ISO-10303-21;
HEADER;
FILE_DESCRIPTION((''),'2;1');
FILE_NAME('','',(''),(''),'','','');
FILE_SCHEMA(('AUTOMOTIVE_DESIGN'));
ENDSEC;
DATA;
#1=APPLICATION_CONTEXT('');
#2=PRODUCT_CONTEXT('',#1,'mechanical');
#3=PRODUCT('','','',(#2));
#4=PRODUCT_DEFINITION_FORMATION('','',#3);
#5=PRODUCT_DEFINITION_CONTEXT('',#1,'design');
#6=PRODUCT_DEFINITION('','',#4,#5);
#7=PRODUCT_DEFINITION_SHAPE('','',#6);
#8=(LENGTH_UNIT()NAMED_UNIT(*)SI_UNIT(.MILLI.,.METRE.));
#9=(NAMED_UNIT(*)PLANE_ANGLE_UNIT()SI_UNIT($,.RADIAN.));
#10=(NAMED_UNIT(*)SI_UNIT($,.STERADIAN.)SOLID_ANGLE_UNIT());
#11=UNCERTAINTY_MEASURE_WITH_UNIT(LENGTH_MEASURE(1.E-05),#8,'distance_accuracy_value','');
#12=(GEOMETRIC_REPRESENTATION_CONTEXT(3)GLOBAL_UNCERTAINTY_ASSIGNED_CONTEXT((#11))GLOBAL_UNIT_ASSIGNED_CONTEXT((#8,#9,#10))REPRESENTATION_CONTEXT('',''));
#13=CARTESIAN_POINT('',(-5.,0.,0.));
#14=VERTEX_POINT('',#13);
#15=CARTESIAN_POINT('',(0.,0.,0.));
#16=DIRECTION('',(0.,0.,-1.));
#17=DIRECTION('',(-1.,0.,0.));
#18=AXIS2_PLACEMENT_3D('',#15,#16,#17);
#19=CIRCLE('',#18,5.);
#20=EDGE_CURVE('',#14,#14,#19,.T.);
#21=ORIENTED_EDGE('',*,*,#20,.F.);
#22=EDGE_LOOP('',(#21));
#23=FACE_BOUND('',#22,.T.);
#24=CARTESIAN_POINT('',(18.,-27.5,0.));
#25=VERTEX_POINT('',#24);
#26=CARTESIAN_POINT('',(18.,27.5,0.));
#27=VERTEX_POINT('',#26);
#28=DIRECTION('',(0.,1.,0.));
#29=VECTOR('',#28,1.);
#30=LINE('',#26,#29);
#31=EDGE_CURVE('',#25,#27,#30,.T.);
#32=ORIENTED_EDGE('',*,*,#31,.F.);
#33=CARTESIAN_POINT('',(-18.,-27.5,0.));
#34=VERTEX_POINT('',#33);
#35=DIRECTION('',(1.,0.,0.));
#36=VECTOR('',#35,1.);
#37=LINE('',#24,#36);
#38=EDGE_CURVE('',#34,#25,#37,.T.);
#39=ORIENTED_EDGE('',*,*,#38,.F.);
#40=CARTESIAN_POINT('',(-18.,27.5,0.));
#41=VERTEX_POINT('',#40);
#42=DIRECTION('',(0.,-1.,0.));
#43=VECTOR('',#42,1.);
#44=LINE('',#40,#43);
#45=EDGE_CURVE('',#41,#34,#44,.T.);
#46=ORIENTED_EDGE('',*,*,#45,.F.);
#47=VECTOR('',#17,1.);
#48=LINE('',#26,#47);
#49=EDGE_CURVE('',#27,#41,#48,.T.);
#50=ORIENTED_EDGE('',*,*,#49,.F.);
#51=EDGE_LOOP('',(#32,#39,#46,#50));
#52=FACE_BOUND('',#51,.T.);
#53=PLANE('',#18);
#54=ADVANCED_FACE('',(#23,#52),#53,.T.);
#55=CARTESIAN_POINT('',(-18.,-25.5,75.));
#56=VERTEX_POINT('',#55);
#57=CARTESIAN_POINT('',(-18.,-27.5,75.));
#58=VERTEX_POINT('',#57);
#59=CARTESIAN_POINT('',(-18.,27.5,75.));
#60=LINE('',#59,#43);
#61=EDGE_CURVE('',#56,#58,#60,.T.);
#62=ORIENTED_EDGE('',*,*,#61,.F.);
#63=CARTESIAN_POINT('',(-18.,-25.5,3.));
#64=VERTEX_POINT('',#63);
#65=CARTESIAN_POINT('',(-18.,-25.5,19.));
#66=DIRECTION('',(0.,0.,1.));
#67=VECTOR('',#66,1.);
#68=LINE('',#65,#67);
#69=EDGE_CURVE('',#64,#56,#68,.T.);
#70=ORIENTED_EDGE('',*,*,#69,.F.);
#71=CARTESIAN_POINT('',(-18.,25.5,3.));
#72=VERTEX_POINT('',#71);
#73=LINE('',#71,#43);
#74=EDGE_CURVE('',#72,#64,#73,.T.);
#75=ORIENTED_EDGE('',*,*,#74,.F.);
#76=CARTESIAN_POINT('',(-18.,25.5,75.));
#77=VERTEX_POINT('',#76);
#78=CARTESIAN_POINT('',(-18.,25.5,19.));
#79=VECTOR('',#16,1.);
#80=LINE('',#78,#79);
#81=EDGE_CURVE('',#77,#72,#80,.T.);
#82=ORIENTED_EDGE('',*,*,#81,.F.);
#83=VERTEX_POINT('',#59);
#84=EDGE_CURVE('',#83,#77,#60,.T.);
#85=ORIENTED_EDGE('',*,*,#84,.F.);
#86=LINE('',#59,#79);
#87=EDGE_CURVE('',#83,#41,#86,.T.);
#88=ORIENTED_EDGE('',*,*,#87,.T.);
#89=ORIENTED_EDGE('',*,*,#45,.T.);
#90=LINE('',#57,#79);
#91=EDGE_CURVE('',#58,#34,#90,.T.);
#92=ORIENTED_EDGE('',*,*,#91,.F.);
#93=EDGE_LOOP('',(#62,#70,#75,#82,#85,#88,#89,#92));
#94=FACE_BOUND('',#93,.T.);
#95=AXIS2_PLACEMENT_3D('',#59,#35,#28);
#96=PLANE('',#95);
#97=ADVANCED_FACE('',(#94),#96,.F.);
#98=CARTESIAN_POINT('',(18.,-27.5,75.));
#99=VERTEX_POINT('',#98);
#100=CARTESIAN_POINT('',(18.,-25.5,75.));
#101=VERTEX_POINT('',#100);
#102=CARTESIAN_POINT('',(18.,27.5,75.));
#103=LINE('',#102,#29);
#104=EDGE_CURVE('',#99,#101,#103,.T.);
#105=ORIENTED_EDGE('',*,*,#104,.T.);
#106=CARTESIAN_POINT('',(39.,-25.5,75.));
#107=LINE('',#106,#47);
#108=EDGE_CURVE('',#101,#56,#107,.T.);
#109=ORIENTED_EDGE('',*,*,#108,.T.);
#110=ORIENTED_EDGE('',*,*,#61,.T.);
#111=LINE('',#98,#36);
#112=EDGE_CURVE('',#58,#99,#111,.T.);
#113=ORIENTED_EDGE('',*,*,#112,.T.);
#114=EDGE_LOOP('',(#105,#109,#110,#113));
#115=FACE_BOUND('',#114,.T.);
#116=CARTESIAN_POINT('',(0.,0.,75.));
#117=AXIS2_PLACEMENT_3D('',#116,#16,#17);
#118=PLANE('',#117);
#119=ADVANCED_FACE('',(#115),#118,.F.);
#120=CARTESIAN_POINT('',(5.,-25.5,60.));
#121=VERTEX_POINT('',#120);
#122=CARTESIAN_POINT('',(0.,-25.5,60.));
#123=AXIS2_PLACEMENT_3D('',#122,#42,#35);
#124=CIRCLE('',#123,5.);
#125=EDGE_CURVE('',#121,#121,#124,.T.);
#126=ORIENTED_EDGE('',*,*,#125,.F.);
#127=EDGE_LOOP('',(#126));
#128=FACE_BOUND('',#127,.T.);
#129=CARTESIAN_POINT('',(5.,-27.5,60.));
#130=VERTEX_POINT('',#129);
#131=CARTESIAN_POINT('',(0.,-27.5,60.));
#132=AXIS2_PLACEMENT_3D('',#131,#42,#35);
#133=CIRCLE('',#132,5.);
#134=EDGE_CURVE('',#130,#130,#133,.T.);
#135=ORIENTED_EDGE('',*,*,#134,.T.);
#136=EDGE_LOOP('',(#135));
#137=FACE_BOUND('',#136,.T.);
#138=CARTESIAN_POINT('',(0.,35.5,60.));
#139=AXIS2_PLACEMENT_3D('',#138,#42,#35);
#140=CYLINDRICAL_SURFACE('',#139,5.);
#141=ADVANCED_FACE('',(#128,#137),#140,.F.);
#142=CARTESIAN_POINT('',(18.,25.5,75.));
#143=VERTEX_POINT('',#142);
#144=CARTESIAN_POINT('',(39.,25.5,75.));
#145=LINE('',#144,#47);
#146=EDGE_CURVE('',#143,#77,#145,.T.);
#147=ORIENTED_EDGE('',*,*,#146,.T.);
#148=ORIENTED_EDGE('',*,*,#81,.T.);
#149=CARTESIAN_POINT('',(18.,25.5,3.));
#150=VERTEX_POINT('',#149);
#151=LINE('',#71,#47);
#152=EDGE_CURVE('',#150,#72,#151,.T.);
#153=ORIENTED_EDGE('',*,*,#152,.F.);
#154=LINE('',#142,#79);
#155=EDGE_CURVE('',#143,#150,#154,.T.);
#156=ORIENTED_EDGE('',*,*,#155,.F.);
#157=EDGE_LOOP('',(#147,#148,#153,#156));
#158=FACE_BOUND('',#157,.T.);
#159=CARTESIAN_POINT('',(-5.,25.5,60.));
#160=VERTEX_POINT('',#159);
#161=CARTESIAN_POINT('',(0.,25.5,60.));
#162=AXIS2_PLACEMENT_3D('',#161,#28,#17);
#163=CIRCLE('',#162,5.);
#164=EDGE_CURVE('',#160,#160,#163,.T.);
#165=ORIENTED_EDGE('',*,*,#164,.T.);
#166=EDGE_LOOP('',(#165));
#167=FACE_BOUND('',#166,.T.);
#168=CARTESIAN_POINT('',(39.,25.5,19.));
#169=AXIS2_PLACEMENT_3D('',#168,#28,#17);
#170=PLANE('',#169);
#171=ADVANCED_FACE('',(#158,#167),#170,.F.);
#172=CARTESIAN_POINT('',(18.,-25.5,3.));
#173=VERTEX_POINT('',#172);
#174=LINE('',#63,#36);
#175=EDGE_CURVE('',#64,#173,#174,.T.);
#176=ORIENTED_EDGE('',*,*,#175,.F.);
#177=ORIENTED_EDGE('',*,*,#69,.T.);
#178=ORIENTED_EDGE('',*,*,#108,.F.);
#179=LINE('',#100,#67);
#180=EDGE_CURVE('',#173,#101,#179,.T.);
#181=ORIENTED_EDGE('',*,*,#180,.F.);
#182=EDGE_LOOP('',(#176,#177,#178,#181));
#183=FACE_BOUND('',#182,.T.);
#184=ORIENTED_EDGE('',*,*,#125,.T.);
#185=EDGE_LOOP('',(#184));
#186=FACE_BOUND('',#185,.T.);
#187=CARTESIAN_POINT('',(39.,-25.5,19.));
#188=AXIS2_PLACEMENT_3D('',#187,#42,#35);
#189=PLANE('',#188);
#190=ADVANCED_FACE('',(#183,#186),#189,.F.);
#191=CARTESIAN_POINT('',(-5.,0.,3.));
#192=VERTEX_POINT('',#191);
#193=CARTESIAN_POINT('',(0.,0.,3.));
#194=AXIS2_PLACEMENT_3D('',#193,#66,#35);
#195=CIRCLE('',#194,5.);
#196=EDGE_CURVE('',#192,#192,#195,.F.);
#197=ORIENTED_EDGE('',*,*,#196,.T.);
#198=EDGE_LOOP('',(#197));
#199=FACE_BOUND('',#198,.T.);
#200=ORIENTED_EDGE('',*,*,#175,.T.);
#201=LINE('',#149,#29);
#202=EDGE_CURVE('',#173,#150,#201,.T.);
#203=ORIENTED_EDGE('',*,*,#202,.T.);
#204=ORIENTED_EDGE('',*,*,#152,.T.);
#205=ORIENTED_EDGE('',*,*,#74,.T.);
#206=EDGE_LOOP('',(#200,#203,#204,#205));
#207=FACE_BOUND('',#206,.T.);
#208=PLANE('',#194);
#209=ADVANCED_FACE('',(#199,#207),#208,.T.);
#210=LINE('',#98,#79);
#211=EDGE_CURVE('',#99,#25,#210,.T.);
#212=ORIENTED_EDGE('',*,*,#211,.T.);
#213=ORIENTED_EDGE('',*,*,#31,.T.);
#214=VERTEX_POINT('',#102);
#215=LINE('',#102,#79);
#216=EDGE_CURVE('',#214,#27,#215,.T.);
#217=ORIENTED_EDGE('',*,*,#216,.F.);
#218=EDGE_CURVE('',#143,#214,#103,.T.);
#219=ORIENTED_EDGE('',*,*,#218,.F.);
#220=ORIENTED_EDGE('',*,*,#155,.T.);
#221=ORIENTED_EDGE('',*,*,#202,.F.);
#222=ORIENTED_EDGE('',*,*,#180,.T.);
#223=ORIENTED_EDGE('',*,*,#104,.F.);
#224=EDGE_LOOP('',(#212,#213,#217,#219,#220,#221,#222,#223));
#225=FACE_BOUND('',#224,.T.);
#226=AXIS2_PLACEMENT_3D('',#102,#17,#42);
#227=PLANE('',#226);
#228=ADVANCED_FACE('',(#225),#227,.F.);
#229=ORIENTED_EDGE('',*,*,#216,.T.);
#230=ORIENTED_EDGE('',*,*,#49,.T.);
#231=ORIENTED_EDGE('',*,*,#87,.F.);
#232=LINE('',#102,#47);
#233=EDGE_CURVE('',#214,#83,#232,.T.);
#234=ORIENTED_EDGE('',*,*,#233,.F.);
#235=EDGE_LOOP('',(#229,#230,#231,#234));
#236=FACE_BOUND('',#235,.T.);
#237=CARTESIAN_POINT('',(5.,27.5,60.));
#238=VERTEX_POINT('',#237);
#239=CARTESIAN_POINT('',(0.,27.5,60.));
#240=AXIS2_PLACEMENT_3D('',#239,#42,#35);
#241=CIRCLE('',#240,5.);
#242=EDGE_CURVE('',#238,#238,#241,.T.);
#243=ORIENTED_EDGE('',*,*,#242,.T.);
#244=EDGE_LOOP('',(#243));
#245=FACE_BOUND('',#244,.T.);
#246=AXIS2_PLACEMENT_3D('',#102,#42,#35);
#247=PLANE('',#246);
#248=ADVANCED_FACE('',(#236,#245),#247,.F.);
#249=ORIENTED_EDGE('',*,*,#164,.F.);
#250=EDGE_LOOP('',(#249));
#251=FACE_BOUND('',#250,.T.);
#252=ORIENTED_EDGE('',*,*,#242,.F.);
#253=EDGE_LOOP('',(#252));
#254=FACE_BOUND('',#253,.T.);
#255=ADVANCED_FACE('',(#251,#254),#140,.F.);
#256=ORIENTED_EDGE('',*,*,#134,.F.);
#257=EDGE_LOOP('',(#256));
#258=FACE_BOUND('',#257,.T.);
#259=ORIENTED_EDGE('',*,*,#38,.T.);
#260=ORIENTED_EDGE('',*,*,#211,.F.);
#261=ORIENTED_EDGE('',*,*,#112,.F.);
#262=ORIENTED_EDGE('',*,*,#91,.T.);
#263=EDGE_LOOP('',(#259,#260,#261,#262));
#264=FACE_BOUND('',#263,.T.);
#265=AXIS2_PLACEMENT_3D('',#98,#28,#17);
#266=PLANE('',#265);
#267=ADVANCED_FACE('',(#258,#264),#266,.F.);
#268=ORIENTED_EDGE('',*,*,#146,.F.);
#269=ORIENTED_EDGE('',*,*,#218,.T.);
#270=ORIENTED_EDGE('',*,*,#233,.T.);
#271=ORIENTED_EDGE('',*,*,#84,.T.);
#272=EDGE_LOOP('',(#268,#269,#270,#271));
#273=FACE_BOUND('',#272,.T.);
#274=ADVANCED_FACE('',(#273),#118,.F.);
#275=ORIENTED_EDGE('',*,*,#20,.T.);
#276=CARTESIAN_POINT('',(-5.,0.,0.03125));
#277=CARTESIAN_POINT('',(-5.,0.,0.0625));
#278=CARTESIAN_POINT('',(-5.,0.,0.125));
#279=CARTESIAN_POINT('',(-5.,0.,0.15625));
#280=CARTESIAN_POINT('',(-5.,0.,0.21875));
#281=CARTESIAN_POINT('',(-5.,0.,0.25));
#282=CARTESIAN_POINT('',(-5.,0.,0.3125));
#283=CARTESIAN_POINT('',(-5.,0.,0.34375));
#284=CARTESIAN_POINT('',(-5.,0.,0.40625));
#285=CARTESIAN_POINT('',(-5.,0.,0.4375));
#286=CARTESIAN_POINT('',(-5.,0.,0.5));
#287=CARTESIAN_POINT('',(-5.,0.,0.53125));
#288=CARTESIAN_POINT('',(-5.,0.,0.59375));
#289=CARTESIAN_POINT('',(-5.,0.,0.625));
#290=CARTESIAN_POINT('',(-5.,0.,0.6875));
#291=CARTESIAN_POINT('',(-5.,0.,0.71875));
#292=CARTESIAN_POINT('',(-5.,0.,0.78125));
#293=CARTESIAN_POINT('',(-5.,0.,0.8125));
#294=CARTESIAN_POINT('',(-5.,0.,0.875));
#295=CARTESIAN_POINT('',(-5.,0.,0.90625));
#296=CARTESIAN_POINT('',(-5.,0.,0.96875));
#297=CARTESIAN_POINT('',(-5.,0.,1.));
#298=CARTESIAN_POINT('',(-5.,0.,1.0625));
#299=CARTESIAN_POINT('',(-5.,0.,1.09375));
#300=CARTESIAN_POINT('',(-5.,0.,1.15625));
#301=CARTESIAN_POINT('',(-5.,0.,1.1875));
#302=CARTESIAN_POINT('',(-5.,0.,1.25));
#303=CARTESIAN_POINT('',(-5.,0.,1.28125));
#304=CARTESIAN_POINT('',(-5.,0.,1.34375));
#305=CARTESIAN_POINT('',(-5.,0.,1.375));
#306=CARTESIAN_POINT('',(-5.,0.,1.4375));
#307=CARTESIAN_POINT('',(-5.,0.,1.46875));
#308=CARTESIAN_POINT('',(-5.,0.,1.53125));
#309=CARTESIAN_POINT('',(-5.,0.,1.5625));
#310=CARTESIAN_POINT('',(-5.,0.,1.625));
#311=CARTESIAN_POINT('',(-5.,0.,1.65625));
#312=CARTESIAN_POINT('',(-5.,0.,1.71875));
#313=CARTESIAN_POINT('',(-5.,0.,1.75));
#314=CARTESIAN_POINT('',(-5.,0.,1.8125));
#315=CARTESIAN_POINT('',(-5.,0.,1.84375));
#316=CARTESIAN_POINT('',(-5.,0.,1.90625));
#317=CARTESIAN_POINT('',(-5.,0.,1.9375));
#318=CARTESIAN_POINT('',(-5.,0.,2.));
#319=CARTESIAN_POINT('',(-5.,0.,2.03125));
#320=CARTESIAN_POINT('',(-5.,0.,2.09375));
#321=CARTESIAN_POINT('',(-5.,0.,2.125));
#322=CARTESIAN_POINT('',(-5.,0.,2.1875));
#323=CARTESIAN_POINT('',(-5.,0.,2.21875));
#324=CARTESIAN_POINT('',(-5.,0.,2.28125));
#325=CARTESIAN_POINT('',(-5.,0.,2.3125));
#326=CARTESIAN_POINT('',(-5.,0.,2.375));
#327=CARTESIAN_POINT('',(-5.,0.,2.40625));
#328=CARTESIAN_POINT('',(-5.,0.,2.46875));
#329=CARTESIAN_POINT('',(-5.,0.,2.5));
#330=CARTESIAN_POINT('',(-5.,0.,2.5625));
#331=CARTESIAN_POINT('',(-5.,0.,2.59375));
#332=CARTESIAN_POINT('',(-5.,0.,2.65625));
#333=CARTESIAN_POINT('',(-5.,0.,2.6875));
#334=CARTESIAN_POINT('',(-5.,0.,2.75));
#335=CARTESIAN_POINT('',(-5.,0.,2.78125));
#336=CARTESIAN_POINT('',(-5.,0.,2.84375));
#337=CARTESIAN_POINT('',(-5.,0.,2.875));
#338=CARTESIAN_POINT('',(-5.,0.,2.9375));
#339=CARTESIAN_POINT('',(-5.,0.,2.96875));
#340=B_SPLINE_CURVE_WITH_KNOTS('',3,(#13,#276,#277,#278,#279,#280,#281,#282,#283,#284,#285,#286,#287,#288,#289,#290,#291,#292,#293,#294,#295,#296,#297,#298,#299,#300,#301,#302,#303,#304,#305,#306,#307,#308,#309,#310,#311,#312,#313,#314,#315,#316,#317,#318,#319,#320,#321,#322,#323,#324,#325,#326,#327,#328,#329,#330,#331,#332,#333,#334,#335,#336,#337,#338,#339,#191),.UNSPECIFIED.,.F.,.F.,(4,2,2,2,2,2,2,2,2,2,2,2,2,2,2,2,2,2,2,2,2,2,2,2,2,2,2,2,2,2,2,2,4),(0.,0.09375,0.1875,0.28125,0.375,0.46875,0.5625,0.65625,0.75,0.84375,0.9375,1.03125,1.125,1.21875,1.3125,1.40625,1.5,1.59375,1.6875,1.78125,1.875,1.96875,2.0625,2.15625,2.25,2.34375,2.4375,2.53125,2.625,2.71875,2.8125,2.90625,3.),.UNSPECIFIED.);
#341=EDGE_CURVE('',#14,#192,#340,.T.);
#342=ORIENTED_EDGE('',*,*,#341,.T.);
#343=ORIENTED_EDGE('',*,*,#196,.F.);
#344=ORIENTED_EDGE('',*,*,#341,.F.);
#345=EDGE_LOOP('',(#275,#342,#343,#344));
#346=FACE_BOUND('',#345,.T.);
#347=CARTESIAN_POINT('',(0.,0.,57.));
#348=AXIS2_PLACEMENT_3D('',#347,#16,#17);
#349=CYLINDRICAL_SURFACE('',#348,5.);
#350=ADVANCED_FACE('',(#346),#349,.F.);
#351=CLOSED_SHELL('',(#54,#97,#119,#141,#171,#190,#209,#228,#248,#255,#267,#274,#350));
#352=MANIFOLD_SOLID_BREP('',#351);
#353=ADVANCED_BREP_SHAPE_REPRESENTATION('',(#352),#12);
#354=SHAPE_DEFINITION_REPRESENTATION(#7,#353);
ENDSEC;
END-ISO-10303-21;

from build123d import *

# Parameters (mm, degrees)
ESBO_O1_W                = 36
ESBO_O1_H                = 55
RESSALTO_EXTRUS_O1_DEPTH = 75
ESBO_O2_W                = 34
ESBO_O2_H                = 30
CORTE_EXTRUS_O1_DEPTH    = 56
ESBO_O3_W                = 56
ESBO_O3_H                = 51
CORTE_EXTRUS_O2_DEPTH    = 57
ESBO_O5_R                = 5
CORTE_EXTRUS_O4_DEPTH    = 57
ESBO_O6_W                = 36
ESBO_O6_H                = 51
CORTE_EXTRUS_O5_DEPTH    = 16
ESBO_O4_R                = 5
CORTE_EXTRUS_O6_DEPTH    = 63


with BuildPart() as part:
    # Esboço1 → Ressalto-extrusão1 (new body)
    with BuildSketch(Plane.XY):
        Rectangle(ESBO_O1_W, ESBO_O1_H)
    extrude(amount=RESSALTO_EXTRUS_O1_DEPTH)

    # Esboço2 → Corte-extrusão1 (cut)
    with BuildSketch(Plane.XY.offset(75)):
        Rectangle(ESBO_O2_W, ESBO_O2_H)
    extrude(amount=-CORTE_EXTRUS_O1_DEPTH, mode=Mode.SUBTRACT)

    # Esboço3 → Corte-extrusão2 (cut)
    with BuildSketch(Plane.ZY.offset(18)):
        with Locations((47, 0)):
            Rectangle(ESBO_O3_W, ESBO_O3_H)
    extrude(amount=-CORTE_EXTRUS_O2_DEPTH, mode=Mode.SUBTRACT)

    # Esboço5 → Corte-extrusão4 (cut)
    with BuildSketch(Plane(origin=(0, 0, 0), x_dir=(-1, 0, 0), z_dir=(0, 0, -1))):
        Circle(ESBO_O5_R)
    extrude(amount=-CORTE_EXTRUS_O4_DEPTH, mode=Mode.SUBTRACT)

    # Esboço6 → Corte-extrusão5 (cut)
    with BuildSketch(Plane.XY.offset(19)):
        Rectangle(ESBO_O6_W, ESBO_O6_H)
    extrude(amount=-CORTE_EXTRUS_O5_DEPTH, mode=Mode.SUBTRACT)

    # Esboço4 → Corte-extrusão6 (cut)
    with BuildSketch(Plane.XZ.offset(27.5)):
        with Locations((0, 60)):
            Circle(ESBO_O4_R)
    extrude(amount=-CORTE_EXTRUS_O6_DEPTH, mode=Mode.SUBTRACT)


solid = part.part
